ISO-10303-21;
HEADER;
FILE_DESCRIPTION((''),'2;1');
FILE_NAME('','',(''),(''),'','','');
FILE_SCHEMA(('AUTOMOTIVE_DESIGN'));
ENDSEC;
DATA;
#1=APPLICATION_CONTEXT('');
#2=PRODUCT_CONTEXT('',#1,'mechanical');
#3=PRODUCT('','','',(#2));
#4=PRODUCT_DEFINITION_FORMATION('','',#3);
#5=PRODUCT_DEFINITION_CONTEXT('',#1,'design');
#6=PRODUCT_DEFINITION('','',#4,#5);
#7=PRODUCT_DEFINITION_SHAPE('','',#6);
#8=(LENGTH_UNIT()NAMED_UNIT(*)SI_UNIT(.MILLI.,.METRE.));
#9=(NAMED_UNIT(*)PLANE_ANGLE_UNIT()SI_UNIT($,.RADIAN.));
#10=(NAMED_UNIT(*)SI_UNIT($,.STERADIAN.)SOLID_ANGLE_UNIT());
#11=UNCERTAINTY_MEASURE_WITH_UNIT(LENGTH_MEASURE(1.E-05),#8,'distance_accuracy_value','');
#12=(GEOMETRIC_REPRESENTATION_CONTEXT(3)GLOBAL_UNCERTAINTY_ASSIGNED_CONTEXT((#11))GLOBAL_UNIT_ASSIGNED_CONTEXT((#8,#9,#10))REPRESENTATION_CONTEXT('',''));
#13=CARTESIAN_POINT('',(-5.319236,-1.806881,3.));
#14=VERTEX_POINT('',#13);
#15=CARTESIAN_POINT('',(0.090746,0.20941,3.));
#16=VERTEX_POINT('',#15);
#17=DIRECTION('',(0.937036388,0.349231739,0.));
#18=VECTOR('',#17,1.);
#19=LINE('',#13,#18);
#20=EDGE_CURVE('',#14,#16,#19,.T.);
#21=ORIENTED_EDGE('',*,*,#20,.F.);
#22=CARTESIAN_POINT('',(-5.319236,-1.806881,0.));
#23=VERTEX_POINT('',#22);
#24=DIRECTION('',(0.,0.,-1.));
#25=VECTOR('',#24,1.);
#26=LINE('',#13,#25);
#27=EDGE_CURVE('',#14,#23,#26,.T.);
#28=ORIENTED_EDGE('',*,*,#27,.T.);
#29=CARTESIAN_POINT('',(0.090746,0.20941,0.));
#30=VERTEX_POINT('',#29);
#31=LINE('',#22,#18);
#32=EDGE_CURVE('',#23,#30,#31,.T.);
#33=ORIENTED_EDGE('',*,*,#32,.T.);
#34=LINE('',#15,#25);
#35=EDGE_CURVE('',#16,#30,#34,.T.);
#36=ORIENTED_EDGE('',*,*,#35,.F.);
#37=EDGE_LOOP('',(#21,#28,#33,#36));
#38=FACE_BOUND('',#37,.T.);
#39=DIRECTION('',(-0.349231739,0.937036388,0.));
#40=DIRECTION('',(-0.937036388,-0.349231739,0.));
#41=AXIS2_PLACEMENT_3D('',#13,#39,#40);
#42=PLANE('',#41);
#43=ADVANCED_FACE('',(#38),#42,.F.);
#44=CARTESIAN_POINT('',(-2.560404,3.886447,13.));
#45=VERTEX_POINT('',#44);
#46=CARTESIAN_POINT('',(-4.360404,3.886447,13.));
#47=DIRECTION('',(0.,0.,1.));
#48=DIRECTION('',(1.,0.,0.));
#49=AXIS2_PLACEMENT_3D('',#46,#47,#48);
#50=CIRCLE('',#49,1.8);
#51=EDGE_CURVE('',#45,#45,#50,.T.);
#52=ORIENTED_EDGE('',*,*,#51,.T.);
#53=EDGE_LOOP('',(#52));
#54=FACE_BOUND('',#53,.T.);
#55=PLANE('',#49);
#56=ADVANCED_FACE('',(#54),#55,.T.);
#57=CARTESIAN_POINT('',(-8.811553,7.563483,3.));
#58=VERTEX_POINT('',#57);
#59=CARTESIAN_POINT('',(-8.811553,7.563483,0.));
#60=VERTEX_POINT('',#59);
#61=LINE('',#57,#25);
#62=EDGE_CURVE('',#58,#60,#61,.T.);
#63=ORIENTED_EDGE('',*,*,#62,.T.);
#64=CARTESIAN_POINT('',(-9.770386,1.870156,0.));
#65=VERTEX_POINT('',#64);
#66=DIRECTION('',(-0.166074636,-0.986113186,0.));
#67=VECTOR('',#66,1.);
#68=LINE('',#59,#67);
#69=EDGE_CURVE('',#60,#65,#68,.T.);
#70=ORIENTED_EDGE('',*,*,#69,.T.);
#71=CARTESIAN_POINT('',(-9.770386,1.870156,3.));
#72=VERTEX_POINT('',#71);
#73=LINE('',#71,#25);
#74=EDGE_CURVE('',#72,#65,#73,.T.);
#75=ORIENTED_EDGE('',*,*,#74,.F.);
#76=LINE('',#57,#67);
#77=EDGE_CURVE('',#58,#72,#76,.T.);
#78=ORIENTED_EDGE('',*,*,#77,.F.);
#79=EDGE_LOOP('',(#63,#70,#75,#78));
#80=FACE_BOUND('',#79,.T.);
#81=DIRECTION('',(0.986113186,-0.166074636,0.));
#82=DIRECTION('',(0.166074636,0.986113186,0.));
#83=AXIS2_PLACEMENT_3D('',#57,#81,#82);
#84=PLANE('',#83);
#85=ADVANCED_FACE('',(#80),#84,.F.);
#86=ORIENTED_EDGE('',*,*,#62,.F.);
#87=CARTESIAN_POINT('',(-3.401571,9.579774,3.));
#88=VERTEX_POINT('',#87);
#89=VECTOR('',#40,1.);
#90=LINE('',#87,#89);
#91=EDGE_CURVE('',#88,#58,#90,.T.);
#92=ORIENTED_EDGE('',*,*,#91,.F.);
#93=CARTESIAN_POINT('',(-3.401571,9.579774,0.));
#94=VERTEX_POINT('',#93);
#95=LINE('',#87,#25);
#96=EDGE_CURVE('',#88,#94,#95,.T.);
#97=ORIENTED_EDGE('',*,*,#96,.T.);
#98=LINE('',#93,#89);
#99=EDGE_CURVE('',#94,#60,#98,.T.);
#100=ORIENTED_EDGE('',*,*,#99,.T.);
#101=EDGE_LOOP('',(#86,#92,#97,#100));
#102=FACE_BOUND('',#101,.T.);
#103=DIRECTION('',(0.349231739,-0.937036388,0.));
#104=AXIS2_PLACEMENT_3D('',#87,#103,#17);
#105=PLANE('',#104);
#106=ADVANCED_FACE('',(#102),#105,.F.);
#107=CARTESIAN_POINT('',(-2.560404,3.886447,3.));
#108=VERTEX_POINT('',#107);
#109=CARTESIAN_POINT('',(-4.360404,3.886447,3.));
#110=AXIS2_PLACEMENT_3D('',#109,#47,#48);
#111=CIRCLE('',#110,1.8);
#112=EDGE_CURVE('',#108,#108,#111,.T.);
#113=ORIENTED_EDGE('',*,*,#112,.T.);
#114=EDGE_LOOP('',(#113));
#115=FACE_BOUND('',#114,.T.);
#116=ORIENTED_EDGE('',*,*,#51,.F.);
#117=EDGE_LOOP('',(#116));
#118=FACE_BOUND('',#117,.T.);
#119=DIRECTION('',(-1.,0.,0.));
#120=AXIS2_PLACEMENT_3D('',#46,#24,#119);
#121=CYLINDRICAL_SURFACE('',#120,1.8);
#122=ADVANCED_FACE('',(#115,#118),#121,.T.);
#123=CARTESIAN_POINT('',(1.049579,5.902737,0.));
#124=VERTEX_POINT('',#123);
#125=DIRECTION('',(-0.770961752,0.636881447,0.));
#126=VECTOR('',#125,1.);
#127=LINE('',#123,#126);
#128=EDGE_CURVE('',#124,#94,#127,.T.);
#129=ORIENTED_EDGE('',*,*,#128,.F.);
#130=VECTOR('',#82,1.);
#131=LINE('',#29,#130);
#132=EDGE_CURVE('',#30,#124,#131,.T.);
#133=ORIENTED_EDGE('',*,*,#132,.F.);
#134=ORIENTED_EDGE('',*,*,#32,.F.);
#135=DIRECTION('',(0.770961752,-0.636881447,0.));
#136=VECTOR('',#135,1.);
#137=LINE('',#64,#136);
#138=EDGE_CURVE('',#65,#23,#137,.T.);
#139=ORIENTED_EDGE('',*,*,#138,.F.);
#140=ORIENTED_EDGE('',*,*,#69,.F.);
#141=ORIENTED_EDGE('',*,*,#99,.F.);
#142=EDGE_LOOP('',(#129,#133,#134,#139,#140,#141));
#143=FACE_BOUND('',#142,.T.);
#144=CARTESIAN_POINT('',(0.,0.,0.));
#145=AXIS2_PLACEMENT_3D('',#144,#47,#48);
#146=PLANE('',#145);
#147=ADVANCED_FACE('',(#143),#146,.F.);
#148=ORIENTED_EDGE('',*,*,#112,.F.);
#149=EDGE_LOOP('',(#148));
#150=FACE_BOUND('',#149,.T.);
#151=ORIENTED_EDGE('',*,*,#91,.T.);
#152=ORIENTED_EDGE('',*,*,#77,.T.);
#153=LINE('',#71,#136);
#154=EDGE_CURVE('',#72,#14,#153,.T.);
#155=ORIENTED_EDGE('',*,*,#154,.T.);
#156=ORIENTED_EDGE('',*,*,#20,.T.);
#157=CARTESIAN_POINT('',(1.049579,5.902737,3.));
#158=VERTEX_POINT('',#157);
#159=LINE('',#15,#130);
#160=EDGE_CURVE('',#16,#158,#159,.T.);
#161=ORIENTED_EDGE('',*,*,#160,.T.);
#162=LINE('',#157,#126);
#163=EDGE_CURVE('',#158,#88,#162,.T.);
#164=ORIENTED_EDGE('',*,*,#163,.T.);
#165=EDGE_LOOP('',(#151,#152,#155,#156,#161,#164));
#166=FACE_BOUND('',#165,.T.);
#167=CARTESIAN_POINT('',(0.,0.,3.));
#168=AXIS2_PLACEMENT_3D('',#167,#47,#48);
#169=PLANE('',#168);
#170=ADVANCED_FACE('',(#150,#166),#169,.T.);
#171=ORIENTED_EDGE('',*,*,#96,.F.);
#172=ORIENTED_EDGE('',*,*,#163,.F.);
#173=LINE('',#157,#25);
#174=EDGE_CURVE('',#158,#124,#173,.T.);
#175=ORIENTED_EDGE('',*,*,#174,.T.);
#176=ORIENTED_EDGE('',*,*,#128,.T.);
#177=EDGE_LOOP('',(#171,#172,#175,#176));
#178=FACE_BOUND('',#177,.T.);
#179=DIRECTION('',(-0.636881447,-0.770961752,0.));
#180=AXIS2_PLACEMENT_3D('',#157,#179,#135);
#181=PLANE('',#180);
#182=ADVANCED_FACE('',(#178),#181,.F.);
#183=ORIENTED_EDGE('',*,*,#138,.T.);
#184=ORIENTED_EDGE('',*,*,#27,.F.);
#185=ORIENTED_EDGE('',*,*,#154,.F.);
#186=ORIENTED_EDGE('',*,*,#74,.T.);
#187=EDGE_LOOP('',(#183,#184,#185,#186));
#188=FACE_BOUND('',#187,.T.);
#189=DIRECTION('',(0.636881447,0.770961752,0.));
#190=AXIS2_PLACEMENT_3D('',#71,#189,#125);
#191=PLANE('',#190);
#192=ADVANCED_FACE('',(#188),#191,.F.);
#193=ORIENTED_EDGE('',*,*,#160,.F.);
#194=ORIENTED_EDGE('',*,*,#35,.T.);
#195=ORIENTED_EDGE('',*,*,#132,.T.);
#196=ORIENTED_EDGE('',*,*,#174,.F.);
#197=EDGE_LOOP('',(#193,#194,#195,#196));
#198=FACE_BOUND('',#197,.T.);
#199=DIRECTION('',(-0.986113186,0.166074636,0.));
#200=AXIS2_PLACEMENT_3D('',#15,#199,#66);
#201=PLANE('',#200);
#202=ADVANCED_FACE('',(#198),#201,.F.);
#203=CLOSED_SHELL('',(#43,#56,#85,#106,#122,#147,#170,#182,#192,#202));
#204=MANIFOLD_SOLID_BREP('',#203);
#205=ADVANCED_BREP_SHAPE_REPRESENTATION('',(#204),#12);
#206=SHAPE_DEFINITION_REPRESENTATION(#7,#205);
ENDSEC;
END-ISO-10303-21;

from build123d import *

# Parameters (mm, degrees)
BOSS_EXTRU_1_DEPTH = 3
ESQUISSE2_R        = 1.8
BOSS_EXTRU_2_DEPTH = 10


with BuildPart() as part:
    # Esquisse1 → Boss.-Extru.1 (new body)
    with BuildSketch(Plane.XY):
        Polygon((0.090746241, 0.209409856), (1.049578601, 5.902736989), (-3.401571147, 9.579773737), (-8.811553256, 7.563483353), (-9.770385617, 1.870156221), (-5.319235869, -1.806880528), align=None)
    extrude(amount=BOSS_EXTRU_1_DEPTH)

    # Esquisse2 → Boss.-Extru.2 (add)
    with BuildSketch(Plane.XY.offset(3)):
        with Locations((-4.360403508, 3.886446605)):
            Circle(ESQUISSE2_R)
    extrude(amount=BOSS_EXTRU_2_DEPTH)


solid = part.part
